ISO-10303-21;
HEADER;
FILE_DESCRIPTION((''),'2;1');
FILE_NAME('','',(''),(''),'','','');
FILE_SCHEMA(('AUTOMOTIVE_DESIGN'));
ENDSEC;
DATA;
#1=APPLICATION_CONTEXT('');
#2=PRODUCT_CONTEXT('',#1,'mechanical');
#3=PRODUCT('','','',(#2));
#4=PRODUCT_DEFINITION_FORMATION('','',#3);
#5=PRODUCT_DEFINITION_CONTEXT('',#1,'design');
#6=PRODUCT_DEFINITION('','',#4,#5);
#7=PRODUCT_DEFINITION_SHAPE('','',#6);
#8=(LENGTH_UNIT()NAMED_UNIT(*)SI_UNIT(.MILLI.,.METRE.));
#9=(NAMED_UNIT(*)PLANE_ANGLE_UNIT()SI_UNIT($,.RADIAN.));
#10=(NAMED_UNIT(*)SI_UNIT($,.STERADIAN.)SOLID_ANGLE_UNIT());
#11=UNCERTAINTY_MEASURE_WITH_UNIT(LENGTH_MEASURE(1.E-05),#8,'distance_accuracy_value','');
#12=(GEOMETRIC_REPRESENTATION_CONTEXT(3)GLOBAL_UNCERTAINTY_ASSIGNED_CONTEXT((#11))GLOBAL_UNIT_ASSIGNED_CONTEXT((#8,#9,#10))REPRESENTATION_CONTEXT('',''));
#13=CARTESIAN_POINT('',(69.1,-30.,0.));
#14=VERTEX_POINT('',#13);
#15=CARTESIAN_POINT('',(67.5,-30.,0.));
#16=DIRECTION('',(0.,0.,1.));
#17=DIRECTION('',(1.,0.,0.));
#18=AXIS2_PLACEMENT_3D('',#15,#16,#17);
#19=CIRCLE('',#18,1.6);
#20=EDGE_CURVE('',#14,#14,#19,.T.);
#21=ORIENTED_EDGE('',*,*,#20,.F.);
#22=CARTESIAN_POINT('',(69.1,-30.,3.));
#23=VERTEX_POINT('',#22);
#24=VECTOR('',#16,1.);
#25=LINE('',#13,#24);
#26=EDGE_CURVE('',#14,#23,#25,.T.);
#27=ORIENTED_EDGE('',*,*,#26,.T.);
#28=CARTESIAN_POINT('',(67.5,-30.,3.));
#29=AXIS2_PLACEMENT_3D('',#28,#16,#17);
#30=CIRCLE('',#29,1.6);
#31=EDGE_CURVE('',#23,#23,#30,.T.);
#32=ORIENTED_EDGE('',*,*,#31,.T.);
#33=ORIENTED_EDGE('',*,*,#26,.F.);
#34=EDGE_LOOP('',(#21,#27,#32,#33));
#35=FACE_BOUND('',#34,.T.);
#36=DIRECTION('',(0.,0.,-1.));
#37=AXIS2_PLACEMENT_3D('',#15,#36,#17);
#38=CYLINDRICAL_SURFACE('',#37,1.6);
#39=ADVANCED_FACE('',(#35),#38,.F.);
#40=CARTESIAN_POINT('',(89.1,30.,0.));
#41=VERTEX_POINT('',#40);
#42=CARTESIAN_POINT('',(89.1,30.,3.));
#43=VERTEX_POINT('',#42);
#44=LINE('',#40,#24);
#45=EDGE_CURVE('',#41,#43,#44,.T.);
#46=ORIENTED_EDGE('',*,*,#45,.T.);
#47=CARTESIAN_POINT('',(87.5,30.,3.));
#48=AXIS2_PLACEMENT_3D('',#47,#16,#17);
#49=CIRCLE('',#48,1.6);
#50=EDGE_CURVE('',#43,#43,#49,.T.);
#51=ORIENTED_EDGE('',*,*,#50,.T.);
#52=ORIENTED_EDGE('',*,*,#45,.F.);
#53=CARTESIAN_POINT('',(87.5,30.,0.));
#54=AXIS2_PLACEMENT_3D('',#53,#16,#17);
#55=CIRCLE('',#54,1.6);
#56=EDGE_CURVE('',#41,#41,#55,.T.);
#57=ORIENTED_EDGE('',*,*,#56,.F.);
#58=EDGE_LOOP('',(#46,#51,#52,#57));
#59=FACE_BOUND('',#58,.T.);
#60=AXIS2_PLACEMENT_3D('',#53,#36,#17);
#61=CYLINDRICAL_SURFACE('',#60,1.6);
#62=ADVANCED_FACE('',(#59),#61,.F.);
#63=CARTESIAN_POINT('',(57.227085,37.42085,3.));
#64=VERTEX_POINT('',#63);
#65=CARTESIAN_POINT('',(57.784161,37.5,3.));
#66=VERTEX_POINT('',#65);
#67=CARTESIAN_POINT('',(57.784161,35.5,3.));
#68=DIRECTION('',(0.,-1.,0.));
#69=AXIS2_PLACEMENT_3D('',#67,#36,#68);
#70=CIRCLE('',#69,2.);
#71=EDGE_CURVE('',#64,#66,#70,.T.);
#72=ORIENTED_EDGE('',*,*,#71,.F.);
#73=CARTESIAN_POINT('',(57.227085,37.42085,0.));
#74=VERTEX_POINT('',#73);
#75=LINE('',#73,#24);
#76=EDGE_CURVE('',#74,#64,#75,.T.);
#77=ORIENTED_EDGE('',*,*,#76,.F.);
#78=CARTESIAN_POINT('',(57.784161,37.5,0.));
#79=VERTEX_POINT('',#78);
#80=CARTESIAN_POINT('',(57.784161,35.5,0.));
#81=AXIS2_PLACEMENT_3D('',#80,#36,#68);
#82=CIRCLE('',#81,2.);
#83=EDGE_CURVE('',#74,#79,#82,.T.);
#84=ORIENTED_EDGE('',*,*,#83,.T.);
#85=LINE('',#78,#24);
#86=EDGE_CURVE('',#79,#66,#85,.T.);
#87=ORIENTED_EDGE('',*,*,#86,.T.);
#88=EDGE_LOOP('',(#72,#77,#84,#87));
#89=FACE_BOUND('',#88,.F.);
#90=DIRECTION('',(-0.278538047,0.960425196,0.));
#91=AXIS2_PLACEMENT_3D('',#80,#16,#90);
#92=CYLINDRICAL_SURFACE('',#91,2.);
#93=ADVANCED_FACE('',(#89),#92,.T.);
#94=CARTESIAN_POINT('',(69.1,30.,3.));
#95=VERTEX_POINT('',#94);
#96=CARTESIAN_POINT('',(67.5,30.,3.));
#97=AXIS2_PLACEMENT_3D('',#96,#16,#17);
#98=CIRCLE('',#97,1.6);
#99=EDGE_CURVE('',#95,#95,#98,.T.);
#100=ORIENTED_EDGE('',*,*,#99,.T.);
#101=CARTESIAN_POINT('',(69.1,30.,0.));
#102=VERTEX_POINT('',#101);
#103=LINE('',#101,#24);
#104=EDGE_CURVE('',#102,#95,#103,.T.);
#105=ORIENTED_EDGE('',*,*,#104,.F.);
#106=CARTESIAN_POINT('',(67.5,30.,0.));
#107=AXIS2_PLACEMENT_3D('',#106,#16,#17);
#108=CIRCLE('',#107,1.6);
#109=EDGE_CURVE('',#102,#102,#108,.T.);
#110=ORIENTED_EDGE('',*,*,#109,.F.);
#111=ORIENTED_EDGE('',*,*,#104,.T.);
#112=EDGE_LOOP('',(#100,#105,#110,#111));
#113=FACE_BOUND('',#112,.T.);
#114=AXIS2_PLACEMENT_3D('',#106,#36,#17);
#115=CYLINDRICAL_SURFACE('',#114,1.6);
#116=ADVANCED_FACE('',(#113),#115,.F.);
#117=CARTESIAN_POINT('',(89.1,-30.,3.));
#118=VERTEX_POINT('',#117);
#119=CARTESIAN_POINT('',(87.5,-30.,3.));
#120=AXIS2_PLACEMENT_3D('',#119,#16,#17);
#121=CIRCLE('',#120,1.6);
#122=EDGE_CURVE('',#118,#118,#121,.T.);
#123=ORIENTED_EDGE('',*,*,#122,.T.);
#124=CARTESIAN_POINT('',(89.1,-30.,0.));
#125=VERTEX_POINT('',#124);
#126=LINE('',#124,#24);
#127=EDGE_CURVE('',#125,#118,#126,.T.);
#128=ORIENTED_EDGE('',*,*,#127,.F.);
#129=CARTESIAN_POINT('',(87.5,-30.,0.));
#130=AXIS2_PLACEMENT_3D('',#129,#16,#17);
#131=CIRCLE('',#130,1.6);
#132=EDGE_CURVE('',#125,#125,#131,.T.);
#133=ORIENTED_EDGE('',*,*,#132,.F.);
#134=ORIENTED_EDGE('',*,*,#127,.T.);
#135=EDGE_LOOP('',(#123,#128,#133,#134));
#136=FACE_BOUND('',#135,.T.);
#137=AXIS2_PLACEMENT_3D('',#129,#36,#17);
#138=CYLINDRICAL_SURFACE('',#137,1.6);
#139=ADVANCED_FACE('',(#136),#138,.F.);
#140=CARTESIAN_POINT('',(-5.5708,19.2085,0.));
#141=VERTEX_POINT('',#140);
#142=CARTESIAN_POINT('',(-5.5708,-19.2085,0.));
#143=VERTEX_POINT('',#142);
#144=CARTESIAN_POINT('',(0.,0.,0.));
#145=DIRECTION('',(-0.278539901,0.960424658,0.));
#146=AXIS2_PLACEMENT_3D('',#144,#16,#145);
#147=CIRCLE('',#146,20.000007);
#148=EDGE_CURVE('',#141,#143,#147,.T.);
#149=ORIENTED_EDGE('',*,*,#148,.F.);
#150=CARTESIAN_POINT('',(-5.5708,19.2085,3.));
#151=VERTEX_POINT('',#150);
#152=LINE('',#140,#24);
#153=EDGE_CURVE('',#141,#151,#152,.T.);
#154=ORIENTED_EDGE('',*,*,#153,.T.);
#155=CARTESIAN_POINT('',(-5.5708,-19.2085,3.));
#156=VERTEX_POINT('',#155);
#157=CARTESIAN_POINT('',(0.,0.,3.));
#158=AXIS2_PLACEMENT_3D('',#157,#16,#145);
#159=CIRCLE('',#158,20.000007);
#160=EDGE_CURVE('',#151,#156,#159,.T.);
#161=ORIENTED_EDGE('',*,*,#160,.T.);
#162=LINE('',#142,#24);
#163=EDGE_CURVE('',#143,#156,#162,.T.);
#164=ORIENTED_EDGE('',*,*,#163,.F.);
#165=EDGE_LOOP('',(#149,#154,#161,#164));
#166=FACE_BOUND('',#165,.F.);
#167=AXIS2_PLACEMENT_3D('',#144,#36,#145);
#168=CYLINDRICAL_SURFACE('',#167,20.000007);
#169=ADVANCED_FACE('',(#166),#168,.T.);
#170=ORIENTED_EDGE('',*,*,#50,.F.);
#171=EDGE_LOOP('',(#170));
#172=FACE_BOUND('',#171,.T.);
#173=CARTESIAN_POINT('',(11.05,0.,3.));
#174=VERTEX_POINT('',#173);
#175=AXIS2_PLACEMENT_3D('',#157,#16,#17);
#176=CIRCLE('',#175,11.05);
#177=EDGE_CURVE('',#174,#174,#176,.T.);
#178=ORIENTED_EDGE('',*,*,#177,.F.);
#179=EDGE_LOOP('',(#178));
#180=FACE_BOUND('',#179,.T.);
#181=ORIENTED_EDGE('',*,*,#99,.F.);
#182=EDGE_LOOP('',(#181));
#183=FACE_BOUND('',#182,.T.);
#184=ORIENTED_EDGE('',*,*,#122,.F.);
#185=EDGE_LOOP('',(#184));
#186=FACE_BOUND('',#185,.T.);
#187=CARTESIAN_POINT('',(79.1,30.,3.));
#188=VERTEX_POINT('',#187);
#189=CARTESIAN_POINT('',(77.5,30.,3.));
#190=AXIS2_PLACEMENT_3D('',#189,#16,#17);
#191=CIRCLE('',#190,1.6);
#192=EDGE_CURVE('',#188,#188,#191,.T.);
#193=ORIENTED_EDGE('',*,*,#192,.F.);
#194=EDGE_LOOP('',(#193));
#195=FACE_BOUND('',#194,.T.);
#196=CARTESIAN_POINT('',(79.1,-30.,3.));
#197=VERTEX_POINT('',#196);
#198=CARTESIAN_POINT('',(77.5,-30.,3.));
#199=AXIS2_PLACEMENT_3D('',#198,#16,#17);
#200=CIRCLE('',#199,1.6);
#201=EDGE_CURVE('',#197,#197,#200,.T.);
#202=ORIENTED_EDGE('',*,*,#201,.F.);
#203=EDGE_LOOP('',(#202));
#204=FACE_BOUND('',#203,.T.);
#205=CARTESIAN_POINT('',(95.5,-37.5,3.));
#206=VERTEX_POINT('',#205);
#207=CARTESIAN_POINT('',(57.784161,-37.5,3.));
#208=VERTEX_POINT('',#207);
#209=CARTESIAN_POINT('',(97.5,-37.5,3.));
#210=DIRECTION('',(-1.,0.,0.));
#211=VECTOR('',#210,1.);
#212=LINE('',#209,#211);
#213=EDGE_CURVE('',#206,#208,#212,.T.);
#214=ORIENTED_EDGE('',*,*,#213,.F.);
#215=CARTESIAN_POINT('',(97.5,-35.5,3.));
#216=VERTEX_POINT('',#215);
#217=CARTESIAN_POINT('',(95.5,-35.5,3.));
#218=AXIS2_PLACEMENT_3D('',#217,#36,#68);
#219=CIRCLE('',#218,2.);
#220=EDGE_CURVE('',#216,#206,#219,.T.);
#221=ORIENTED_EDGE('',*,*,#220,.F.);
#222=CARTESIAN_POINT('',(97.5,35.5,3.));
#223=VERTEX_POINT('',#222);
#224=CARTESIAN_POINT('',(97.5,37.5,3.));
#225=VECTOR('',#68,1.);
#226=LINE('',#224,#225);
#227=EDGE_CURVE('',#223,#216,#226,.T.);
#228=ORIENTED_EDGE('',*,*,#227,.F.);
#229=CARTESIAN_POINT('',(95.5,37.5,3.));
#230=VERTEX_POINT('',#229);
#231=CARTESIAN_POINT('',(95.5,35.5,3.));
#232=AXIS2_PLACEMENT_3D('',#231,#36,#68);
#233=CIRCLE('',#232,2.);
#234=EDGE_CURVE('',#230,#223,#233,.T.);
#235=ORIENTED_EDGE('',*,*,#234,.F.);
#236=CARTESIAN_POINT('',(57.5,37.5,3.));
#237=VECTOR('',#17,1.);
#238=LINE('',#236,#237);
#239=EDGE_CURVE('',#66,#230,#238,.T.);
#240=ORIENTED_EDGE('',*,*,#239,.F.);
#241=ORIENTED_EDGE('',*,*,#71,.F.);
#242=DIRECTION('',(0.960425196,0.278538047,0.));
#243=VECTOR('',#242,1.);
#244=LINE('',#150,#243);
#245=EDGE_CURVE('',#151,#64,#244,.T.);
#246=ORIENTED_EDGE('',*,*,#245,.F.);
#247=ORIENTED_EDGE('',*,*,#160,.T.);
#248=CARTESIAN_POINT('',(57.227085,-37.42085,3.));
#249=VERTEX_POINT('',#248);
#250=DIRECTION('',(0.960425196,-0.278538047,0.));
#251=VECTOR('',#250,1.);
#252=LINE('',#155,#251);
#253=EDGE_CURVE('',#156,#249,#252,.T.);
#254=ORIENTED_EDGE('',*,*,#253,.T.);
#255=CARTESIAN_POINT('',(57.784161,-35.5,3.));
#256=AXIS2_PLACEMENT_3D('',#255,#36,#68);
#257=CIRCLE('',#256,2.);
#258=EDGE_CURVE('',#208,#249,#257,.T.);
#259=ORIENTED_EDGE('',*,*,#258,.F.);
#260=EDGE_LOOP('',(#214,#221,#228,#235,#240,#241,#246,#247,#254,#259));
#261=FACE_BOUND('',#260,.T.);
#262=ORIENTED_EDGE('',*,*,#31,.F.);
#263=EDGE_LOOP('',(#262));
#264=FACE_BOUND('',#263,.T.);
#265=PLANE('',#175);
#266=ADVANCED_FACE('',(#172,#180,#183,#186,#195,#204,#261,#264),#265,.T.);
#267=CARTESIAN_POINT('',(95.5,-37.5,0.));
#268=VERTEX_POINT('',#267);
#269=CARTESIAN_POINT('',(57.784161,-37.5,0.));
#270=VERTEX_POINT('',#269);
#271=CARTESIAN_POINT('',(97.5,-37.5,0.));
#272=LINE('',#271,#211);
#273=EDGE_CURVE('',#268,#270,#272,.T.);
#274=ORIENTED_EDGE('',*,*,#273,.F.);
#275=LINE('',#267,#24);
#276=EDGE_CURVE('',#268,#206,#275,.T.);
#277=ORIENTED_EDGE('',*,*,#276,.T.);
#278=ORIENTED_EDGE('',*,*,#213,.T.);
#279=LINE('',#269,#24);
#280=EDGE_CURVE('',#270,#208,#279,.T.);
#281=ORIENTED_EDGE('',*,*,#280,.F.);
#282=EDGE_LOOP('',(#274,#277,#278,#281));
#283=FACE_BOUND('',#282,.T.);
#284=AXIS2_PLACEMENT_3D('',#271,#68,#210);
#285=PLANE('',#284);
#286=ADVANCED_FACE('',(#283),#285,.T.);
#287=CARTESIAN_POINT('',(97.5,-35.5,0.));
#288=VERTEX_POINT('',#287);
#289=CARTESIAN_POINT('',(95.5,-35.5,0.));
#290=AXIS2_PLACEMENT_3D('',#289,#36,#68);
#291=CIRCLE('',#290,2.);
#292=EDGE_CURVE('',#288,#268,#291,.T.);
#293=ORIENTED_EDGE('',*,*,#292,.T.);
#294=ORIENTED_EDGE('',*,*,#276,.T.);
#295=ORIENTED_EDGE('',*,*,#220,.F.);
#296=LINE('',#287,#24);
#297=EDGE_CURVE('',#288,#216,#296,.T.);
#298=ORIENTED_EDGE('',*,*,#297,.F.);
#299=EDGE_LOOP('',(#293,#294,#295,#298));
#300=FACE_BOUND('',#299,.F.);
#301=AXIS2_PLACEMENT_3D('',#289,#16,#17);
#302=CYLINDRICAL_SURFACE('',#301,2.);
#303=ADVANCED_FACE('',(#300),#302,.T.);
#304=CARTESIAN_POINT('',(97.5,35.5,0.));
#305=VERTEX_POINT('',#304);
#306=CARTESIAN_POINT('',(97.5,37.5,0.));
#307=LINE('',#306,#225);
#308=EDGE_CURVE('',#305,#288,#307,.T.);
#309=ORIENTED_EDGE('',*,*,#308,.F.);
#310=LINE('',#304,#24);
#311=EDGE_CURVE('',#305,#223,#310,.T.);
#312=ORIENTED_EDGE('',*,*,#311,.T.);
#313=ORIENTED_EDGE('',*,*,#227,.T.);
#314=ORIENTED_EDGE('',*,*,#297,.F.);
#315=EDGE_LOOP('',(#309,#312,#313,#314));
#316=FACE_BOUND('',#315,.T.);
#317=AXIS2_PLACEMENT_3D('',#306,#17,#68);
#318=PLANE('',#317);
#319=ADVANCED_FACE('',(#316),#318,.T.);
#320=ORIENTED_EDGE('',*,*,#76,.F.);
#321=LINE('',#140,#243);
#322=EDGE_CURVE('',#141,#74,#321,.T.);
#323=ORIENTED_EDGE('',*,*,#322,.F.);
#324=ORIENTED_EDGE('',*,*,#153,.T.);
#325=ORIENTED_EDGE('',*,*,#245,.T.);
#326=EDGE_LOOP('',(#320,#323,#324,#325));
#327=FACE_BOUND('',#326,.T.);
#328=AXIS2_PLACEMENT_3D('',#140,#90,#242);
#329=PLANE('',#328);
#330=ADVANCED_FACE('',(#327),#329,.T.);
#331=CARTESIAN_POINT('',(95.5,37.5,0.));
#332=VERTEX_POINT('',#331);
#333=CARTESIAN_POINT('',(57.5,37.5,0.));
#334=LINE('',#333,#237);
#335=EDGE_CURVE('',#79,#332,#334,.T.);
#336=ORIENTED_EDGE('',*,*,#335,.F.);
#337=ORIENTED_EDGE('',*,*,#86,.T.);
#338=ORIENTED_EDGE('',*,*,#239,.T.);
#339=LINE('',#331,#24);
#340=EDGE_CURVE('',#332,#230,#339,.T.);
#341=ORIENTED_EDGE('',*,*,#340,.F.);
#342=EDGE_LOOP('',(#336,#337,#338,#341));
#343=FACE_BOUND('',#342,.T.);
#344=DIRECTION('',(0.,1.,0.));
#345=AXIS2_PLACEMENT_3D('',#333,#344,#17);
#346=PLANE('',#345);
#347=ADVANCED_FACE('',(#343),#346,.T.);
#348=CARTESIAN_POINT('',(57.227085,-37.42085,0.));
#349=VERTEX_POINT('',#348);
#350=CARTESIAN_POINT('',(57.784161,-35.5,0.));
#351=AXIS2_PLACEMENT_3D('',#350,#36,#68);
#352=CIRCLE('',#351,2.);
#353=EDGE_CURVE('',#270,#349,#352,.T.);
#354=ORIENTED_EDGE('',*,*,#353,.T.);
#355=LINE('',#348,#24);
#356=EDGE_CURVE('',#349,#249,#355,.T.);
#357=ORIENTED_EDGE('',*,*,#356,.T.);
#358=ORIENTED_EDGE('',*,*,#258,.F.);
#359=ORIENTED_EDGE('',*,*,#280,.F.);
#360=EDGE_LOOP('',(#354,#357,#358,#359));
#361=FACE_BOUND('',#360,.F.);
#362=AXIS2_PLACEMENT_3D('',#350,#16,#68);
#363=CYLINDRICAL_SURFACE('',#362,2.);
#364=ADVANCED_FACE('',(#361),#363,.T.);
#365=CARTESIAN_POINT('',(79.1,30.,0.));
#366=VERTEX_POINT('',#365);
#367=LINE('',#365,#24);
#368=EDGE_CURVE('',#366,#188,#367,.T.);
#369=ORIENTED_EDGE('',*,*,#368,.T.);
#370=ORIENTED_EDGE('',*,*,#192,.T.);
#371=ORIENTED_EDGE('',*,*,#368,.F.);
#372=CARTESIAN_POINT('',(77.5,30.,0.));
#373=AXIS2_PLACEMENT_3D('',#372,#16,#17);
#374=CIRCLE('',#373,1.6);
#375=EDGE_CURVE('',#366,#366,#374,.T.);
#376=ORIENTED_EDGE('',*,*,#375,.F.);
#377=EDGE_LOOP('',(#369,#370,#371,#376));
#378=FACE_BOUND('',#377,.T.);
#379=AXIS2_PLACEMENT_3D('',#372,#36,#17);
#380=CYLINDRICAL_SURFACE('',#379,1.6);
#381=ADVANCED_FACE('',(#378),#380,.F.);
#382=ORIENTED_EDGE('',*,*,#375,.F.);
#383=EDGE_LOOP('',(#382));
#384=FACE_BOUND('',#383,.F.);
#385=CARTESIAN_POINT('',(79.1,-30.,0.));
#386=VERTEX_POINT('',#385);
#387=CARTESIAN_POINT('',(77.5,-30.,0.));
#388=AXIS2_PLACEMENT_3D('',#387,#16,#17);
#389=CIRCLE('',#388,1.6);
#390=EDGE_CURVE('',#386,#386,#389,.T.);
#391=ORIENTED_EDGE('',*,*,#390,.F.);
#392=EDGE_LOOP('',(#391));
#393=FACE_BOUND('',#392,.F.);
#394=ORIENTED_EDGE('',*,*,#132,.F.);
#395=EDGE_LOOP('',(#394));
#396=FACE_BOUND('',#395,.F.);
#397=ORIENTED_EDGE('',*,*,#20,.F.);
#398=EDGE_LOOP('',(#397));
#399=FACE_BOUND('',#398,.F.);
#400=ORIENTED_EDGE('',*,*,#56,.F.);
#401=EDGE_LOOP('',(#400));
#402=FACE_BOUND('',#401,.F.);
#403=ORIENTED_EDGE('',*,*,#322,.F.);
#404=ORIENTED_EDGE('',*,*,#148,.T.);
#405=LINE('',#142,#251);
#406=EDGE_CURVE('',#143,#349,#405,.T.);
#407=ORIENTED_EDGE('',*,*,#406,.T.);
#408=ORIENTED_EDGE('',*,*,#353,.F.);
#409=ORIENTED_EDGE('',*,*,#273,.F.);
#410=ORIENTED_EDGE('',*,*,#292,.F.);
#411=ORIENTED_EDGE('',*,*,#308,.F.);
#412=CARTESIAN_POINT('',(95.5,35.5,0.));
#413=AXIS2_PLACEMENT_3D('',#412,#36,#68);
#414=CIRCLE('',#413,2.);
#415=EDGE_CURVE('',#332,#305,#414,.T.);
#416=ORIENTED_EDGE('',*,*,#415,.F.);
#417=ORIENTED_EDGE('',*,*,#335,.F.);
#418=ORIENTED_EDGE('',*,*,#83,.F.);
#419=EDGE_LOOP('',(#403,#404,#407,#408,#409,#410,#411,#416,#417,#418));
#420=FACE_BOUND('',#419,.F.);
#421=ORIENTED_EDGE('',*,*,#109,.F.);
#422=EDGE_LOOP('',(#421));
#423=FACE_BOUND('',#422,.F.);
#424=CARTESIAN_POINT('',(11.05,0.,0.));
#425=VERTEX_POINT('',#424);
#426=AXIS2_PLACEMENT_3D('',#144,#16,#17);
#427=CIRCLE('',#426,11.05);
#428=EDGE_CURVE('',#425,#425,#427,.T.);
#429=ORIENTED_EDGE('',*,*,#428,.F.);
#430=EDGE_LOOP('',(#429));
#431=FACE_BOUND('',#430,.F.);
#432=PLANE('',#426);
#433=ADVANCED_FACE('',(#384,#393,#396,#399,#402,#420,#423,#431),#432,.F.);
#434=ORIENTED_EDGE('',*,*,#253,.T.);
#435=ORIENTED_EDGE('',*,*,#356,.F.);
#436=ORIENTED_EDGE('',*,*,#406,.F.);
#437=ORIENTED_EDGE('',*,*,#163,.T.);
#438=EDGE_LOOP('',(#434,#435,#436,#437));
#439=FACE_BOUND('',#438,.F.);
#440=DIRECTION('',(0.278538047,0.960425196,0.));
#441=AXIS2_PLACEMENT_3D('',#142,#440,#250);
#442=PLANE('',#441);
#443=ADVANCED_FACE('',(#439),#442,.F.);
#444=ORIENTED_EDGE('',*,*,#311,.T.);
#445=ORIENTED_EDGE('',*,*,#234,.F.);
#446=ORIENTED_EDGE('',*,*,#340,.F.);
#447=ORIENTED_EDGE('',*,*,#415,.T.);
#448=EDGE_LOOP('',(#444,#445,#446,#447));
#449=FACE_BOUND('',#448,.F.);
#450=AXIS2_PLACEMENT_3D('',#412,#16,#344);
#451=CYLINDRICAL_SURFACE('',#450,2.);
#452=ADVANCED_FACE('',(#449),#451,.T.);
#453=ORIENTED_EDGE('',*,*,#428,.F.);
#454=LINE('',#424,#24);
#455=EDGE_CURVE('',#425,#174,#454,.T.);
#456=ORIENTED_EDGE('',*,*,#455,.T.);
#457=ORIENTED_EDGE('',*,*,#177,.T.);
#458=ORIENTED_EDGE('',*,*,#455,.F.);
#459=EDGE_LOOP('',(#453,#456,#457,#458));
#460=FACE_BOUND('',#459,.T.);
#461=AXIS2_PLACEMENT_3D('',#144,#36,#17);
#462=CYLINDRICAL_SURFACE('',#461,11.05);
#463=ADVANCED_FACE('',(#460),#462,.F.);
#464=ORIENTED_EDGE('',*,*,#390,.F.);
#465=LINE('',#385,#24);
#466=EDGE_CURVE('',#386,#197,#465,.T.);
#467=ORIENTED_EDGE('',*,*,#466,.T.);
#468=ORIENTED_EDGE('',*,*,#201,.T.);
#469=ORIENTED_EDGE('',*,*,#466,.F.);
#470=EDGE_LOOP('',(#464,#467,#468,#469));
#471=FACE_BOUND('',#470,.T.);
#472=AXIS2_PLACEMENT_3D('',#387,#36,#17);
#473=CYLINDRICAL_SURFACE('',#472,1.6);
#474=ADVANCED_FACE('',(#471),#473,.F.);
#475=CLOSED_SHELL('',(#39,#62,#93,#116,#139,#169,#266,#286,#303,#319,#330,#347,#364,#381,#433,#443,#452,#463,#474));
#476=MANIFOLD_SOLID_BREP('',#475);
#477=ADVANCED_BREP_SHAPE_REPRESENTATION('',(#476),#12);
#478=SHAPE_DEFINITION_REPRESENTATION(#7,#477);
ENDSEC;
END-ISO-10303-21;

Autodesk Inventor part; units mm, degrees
ref_plane "YZ Plane" through (0, 0, 0) normal (1, 0, 0) x (0, 1, 0)
ref_plane "XZ Plane" through (0, 0, 0) normal (0, 1, 0) x (-1, 0, 0)
ref_plane "XY Plane" through (0, 0, 0) normal (0, 0, 1) x (1, 0, 0)
sketch "スケッチ1" plane through (0, 0, 0) normal (0, 0, 1) x (1, 0, 0)
  line L0 (57.5, 37.5) -> (337.5, 37.5) construction
  line L1 (337.5, 37.5) -> (337.5, 22.5) construction
  line L2 (337.5, 22.5) -> (57.5, 22.5) construction
  line L3 (57.5, 22.5) -> (57.5, 37.5) construction
  line L4 (57.5, -37.5) -> (57.5, -22.5) construction
  line L5 (337.5, -37.5) -> (57.5, -37.5) construction
  line L6 (57.5, -22.5) -> (337.5, -22.5) construction
  line L7 (337.5, -22.5) -> (337.5, -37.5) construction
  circle A0 centre (0, 0) radius 11.05
  circle A1 centre (300, 0) radius 10 construction
  line L8 (330, 30) -> (270, 30) construction
  line L9 (270, 30) -> (270, -30) construction
  line L10 (270, -30) -> (330, -30) construction
  line L11 (330, -30) -> (330, 30) construction
  line L12 (330, 30) -> (270, -30) construction
  line L13 (270, 30) -> (330, -30) construction
  circle A2 centre (0, 0) radius 60 construction
  circle A3 centre (67.5, 30) radius 1.6
  circle A4 centre (77.5, 30) radius 1.6
  circle A5 centre (87.5, 30) radius 1.6
  circle A6 centre (67.5, -30) radius 1.6
  circle A7 centre (77.5, -30) radius 1.6
  circle A8 centre (87.5, -30) radius 1.6
  arc A9 (-5.5708, 19.2085) -> (-5.5708, -19.2085) centre (0, 0) ccw
  line L14 (97.5, 37.5) -> (97.5, -37.5)
  line L15 (97.5, -37.5) -> (57.5, -37.5)
  line L16 (-5.5708, -19.2085) -> (57.5, -37.5)
  line L17 (-5.5708, 19.2085) -> (57.5, 37.5)
  line L18 (57.5, 37.5) -> (97.5, 37.5)
  point P0 (300, 0)
  point P1 (57.5, 30)
  point P2 (57.5, -30)
  dimension "d0" = 15
  dimension "d1" = 280
  dimension "d2" = 15
  dimension "d3" = 280
  dimension "d4" = 22.1
  dimension "d5" = 20
  dimension "d6" = 60
  dimension "d7" = 60
  dimension "d8" = 7.5
  dimension "d9" = 7.5
  dimension "d10" = 7.5
  dimension "d11" = 300
  dimension "d12" = 120
  dimension "d13" = 3.2
  dimension "d14" = 3.2
  dimension "d15" = 3.2
  dimension "d16" = 10
  dimension "d17" = 10
  dimension "d18" = 10
  dimension "d19" = 3.2
  dimension "d20" = 3.2
  dimension "d21" = 3.2
  dimension "d22" = 10
  dimension "d23" = 10
  dimension "d24" = 10
  dimension "d25" = 20
  dimension "d26" = 10
extrude "押し出し1" add sketch "スケッチ1" along normal blind 3
fillet "フィレット1" radius 2 4 edges at (57.5, 37.5, 1.5) (97.5, 37.5, 1.5) (97.5, -37.5, 1.5) (57.5, -37.5, 1.5)
equation "\"d3\" = d1"
properties part number "関節3_前側板" material "アルミニウム 6061"
